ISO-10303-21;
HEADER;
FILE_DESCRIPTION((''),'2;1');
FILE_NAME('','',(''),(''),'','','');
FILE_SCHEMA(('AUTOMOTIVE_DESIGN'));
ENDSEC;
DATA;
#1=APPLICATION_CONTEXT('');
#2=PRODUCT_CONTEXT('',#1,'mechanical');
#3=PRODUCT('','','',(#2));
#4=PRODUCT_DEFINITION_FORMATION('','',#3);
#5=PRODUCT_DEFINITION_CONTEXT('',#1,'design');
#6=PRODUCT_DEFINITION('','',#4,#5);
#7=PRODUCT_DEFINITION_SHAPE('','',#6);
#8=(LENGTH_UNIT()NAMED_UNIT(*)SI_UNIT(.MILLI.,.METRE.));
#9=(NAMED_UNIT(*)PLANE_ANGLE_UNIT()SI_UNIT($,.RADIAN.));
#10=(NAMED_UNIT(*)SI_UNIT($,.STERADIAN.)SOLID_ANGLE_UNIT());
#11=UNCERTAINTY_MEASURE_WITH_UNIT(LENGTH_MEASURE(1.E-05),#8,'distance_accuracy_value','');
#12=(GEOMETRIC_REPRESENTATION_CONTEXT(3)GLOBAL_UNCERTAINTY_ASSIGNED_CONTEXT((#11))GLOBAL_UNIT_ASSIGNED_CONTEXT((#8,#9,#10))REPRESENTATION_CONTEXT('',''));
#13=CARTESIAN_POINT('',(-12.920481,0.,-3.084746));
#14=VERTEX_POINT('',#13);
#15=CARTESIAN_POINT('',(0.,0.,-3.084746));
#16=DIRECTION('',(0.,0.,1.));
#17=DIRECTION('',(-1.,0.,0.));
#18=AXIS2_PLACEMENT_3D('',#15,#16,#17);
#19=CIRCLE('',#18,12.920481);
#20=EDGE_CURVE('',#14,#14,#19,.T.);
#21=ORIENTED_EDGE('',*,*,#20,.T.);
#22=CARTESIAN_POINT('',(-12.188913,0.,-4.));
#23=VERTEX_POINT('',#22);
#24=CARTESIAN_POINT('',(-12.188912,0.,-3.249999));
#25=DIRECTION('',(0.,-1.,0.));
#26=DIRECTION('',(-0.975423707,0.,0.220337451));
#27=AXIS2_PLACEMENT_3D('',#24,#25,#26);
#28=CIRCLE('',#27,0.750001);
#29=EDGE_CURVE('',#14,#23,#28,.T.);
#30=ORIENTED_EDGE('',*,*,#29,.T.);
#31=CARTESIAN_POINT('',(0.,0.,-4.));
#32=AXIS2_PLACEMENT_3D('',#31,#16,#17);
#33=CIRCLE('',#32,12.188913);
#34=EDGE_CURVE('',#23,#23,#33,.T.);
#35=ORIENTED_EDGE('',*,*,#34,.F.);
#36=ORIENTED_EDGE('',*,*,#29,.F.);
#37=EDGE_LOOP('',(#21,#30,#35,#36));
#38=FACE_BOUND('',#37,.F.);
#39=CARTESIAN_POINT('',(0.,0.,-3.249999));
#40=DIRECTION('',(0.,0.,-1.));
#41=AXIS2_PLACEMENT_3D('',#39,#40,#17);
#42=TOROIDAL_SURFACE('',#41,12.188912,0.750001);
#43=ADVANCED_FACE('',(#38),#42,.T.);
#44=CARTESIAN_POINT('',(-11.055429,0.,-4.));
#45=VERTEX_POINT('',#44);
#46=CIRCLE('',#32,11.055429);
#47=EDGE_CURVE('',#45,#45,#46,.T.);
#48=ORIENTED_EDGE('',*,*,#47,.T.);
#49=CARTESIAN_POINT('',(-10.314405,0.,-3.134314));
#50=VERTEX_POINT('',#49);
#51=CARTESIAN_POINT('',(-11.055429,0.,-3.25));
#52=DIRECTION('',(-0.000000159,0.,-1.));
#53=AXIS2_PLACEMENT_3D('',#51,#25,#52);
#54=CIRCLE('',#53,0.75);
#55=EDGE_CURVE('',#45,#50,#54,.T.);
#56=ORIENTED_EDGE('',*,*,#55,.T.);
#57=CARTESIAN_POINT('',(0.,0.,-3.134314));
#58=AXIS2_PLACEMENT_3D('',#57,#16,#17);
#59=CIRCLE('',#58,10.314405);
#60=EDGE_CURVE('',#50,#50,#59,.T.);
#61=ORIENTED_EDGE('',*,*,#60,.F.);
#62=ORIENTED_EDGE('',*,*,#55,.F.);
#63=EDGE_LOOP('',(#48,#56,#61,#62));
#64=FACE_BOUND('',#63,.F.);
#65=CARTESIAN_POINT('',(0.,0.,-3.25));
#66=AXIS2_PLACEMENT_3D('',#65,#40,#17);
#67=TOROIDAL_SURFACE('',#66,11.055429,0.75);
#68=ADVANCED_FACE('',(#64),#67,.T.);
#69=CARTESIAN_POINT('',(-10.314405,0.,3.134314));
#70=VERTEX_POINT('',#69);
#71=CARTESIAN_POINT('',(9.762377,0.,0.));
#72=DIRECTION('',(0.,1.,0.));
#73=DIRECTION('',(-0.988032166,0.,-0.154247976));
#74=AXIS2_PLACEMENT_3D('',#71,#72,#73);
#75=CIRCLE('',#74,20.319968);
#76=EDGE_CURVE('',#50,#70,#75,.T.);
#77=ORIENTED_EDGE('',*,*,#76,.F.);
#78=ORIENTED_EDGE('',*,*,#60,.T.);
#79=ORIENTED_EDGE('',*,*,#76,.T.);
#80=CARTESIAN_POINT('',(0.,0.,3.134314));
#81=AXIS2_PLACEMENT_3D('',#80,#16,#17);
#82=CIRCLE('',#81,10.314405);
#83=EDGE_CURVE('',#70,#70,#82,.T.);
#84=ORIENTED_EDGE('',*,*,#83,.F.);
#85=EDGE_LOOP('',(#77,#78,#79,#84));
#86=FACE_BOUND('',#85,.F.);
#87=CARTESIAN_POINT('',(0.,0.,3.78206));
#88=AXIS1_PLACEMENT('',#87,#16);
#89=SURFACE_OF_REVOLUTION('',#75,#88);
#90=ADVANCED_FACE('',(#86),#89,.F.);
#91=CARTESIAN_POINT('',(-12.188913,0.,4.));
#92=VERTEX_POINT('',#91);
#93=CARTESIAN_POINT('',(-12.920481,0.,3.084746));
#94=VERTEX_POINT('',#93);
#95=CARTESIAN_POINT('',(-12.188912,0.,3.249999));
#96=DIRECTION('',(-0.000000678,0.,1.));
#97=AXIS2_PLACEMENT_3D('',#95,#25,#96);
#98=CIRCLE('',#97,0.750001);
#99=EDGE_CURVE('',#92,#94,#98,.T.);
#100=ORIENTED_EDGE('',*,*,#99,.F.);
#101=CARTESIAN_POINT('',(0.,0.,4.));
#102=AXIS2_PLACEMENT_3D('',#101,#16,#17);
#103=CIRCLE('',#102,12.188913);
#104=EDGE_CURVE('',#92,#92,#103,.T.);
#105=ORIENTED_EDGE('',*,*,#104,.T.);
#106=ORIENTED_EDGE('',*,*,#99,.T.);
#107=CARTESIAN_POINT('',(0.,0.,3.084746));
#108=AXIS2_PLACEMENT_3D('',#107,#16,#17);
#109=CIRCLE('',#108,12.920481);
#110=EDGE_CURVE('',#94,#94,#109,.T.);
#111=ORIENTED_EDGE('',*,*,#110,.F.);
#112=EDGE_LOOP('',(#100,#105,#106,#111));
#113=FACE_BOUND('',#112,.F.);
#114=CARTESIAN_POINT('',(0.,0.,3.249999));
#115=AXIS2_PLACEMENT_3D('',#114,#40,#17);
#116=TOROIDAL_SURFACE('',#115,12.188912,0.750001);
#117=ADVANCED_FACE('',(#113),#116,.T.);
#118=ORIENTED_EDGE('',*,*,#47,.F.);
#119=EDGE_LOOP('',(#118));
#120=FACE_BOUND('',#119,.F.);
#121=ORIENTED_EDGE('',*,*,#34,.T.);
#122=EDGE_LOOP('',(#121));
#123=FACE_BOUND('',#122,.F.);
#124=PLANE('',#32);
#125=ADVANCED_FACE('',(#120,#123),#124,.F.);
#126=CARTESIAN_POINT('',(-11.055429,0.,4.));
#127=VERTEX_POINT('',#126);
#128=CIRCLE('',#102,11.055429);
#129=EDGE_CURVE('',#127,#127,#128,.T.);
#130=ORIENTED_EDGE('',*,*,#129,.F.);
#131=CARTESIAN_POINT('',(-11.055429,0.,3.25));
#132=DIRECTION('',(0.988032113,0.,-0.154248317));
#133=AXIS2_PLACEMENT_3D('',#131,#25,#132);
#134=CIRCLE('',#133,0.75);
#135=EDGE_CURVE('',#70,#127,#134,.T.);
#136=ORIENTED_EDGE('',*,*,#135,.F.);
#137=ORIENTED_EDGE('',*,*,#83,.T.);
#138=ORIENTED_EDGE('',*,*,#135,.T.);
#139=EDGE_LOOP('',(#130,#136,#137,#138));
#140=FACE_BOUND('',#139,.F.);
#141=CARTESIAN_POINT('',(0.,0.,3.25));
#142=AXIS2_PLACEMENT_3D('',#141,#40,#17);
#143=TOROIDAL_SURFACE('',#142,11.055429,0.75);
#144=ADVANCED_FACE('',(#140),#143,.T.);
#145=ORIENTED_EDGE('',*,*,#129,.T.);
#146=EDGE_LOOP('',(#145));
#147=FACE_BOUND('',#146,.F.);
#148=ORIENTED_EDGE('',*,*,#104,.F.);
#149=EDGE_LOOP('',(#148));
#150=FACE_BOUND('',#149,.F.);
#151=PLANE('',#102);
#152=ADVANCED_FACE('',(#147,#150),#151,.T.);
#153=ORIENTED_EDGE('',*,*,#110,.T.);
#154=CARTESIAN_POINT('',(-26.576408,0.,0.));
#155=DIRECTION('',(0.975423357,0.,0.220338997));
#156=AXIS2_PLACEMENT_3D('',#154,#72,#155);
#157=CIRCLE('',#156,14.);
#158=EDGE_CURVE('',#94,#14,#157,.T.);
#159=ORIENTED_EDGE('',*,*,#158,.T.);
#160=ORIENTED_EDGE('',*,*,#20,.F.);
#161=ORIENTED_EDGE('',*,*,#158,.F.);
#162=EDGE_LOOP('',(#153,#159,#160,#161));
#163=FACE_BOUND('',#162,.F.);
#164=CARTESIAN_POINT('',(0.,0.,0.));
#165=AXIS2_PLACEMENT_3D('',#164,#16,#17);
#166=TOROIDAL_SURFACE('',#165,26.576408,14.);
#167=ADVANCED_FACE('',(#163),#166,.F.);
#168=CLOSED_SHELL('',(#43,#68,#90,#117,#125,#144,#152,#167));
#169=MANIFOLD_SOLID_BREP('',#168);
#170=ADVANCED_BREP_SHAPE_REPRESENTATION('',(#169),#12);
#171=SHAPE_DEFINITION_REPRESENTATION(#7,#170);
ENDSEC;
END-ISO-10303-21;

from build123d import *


with BuildPart() as f1:
    # F0 (on Front) → F1 (revolve)
    with BuildSketch(Plane.XZ):
        with BuildLine():
            ThreePointArc((-10.314405, -3.134314), (-10.557591, 0), (-10.314405, 3.134314))
            ThreePointArc((-10.314405, 3.134314), (-10.485664, 3.737717), (-11.055429, 4))
            Line((-11.055429, 4), (-12.188913, 4))
            ThreePointArc((-12.188913, 4), (-12.774763, 3.718273), (-12.920481, 3.084746))
            ThreePointArc((-12.920481, 3.084746), (-12.576408, 0), (-12.920481, -3.084746))
            ThreePointArc((-12.920481, -3.084746), (-12.774763, -3.718273), (-12.188913, -4))
            Line((-12.188913, -4), (-11.055429, -4))
            ThreePointArc((-11.055429, -4), (-10.485664, -3.737717), (-10.314405, -3.134314))
        make_face()
    revolve(axis=Axis((0, 0, 3.78206), (0, 0, 1)))


solid = f1.part
